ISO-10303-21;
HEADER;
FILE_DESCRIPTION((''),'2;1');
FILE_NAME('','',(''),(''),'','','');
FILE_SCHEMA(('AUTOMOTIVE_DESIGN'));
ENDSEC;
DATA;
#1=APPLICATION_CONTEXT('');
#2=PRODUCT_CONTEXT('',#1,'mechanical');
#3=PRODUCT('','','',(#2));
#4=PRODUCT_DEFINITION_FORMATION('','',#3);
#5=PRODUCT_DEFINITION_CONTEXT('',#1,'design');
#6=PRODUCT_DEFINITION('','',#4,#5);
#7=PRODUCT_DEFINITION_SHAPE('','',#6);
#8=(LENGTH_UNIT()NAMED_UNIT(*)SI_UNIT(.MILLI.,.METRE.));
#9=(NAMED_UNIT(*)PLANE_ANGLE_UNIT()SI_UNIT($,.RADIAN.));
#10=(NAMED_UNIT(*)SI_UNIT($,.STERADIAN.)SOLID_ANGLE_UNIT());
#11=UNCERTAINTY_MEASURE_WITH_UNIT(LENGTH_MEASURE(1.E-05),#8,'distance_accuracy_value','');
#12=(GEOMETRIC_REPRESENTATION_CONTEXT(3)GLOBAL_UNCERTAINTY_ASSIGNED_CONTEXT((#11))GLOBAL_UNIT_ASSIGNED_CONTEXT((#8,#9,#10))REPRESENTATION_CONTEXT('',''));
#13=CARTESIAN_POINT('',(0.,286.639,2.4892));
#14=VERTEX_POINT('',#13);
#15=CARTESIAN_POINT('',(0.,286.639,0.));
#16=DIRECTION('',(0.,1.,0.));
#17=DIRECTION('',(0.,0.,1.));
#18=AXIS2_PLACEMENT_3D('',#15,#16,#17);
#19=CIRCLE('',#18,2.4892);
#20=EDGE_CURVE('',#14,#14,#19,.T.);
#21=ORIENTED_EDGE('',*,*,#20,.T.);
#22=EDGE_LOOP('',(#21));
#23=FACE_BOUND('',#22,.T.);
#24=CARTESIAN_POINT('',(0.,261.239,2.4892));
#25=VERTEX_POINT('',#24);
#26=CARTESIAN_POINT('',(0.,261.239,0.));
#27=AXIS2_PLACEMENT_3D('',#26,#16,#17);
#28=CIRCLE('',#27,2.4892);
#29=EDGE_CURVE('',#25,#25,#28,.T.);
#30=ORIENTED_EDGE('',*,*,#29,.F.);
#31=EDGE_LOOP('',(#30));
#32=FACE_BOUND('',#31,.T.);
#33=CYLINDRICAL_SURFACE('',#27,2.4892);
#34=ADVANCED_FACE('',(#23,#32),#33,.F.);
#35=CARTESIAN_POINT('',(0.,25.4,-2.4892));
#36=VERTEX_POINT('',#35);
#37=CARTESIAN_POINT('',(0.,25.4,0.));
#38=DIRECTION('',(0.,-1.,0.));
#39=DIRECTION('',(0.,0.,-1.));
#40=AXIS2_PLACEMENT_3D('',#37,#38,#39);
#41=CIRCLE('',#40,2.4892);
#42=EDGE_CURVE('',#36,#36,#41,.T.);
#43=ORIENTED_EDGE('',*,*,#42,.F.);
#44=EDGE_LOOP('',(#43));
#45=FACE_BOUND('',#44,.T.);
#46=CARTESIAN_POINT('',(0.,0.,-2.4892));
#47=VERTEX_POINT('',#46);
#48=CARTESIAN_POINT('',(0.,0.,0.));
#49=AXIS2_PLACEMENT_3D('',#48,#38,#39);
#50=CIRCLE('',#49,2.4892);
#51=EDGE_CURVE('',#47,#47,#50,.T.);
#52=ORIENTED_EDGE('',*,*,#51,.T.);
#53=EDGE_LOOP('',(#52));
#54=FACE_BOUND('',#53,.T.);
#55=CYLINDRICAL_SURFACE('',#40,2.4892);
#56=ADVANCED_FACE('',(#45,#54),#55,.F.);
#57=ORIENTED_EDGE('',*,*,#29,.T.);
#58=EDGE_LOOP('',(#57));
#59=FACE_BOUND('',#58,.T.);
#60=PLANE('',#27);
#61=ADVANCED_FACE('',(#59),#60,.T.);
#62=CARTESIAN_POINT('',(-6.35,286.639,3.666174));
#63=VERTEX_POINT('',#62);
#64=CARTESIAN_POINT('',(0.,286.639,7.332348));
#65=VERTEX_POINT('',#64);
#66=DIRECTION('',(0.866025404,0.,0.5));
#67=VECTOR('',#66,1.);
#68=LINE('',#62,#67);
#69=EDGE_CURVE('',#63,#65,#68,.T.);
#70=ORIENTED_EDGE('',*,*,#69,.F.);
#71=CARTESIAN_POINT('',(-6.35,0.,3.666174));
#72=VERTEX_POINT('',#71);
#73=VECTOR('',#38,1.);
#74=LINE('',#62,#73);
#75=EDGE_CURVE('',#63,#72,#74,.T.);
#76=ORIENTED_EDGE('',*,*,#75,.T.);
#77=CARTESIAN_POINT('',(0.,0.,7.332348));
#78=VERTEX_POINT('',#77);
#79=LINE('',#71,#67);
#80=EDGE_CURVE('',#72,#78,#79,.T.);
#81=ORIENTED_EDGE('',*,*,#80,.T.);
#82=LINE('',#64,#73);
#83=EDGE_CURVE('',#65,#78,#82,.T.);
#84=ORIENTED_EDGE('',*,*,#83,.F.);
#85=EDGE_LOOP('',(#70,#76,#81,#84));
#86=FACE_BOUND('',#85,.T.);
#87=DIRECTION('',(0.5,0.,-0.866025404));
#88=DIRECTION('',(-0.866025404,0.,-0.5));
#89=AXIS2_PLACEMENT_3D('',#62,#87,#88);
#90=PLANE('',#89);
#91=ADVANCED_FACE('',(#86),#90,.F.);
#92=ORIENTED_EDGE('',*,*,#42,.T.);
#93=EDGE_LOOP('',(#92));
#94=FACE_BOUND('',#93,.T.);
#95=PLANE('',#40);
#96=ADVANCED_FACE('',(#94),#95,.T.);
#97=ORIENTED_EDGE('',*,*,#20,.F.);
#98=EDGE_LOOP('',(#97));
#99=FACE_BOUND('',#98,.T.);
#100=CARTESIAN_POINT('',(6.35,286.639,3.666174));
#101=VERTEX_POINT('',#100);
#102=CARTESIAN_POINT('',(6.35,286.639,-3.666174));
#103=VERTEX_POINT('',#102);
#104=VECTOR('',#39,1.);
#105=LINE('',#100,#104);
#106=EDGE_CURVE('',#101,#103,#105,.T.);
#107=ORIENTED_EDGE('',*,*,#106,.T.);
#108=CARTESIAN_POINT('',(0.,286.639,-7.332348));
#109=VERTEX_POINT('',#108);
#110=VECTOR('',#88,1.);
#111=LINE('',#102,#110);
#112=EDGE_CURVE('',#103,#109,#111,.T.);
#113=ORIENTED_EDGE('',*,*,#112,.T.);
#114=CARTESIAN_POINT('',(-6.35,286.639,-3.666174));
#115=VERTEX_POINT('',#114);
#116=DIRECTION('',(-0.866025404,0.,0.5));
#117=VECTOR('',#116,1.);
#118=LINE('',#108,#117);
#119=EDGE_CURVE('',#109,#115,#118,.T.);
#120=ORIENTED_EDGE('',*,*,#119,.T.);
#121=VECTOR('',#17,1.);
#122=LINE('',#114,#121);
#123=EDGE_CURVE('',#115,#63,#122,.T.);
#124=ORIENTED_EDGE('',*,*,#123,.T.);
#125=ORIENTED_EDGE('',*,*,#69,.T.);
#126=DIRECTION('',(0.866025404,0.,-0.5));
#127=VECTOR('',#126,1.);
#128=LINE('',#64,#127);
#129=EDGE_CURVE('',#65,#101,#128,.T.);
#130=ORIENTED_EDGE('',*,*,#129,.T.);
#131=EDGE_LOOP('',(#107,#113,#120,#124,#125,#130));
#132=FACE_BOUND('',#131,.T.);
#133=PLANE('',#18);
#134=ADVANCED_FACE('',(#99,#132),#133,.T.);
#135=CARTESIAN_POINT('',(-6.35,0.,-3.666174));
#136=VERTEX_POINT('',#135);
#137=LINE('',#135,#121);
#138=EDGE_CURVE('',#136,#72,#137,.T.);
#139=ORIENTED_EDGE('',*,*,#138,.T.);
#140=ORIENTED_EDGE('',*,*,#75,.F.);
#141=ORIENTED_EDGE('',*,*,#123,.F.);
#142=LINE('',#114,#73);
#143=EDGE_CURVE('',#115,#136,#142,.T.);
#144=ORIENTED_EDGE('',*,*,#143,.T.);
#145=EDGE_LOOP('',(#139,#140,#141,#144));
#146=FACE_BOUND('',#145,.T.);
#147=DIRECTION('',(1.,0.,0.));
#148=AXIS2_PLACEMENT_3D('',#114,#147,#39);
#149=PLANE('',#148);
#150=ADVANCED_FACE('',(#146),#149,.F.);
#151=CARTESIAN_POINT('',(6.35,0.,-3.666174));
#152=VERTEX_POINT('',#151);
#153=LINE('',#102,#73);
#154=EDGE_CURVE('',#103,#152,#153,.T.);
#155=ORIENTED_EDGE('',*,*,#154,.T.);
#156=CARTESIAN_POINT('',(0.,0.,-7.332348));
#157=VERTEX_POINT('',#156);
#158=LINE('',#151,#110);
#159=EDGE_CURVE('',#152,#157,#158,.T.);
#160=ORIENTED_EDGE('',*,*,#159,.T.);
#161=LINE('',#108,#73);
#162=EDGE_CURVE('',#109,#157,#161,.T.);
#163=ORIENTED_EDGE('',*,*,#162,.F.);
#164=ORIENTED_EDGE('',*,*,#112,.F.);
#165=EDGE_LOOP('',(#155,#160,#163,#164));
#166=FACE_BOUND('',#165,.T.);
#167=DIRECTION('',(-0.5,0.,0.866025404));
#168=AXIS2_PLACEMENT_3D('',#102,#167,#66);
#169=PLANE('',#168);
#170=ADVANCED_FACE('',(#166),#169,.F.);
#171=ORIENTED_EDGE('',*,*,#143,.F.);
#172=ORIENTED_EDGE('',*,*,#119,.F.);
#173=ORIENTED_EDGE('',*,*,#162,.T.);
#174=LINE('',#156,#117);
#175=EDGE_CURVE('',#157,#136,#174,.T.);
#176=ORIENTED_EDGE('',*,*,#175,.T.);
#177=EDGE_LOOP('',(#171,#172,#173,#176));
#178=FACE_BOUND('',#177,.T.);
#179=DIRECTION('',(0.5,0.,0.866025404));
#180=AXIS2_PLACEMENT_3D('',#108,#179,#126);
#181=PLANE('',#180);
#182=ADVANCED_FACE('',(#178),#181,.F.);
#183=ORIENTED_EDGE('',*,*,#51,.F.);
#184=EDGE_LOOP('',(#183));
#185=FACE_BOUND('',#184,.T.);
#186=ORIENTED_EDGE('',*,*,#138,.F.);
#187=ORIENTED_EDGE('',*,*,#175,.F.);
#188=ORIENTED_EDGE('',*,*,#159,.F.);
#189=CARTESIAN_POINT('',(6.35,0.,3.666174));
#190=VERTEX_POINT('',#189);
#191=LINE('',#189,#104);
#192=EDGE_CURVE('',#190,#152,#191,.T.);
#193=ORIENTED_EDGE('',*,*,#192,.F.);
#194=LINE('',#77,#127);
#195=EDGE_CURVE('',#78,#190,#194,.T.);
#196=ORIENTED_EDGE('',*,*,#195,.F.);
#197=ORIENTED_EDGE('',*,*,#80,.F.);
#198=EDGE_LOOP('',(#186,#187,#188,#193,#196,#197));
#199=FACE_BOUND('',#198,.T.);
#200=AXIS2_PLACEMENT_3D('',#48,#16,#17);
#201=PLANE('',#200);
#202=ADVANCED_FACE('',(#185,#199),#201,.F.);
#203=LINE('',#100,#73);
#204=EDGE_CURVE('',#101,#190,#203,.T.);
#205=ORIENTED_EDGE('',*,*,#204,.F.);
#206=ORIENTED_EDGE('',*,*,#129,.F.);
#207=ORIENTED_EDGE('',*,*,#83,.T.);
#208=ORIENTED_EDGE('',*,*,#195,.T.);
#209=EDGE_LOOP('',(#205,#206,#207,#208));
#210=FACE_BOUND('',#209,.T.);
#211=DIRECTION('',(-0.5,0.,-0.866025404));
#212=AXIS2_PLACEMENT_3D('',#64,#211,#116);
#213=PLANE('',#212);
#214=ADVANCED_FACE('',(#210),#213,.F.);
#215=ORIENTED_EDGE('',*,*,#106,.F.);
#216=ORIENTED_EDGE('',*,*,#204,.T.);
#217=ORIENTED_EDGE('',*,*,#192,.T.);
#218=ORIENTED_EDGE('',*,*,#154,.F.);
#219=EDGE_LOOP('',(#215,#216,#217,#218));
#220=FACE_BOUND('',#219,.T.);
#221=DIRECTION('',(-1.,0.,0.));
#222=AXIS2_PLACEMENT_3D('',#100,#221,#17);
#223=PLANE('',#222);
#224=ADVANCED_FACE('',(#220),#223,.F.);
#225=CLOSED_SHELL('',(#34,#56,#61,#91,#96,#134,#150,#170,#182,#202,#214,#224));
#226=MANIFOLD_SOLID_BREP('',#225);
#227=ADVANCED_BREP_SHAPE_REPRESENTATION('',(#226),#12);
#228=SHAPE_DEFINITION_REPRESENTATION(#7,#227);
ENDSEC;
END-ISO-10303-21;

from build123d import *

# Parameters (mm, degrees)
BOSS_EXTRUDE1_DEPTH = 286.639
SKETCH2_R           = 2.4892
CUT_EXTRUDE1_DEPTH  = 25.4
SKETCH3_R           = 2.4892
CUT_EXTRUDE2_DEPTH  = 25.4


with BuildPart() as part:
    # Sketch1 → Boss-Extrude1 (new body)
    with BuildSketch(Plane(origin=(0, 0, 0), x_dir=(1, 0, 0), z_dir=(0, 1, 0))):
        Polygon((0, 7.332348419), (-6.35, 3.666174209), (-6.35, -3.666174209), (0, -7.332348419), (6.35, -3.666174209), (6.35, 3.666174209), align=None)
    extrude(amount=BOSS_EXTRUDE1_DEPTH)

    # Sketch2 → Cut-Extrude1 (cut)
    with BuildSketch(Plane(origin=(0, 286.639, 0), x_dir=(1, 0, 0), z_dir=(0, 1, 0))):
        Circle(SKETCH2_R)
    extrude(amount=-CUT_EXTRUDE1_DEPTH, mode=Mode.SUBTRACT)

    # Sketch3 → Cut-Extrude2 (cut)
    with BuildSketch(Plane(origin=(0, 0, 0), x_dir=(-1, 0, 0), z_dir=(0, -1, 0))):
        Circle(SKETCH3_R)
    extrude(amount=-CUT_EXTRUDE2_DEPTH, mode=Mode.SUBTRACT)


solid = part.part
